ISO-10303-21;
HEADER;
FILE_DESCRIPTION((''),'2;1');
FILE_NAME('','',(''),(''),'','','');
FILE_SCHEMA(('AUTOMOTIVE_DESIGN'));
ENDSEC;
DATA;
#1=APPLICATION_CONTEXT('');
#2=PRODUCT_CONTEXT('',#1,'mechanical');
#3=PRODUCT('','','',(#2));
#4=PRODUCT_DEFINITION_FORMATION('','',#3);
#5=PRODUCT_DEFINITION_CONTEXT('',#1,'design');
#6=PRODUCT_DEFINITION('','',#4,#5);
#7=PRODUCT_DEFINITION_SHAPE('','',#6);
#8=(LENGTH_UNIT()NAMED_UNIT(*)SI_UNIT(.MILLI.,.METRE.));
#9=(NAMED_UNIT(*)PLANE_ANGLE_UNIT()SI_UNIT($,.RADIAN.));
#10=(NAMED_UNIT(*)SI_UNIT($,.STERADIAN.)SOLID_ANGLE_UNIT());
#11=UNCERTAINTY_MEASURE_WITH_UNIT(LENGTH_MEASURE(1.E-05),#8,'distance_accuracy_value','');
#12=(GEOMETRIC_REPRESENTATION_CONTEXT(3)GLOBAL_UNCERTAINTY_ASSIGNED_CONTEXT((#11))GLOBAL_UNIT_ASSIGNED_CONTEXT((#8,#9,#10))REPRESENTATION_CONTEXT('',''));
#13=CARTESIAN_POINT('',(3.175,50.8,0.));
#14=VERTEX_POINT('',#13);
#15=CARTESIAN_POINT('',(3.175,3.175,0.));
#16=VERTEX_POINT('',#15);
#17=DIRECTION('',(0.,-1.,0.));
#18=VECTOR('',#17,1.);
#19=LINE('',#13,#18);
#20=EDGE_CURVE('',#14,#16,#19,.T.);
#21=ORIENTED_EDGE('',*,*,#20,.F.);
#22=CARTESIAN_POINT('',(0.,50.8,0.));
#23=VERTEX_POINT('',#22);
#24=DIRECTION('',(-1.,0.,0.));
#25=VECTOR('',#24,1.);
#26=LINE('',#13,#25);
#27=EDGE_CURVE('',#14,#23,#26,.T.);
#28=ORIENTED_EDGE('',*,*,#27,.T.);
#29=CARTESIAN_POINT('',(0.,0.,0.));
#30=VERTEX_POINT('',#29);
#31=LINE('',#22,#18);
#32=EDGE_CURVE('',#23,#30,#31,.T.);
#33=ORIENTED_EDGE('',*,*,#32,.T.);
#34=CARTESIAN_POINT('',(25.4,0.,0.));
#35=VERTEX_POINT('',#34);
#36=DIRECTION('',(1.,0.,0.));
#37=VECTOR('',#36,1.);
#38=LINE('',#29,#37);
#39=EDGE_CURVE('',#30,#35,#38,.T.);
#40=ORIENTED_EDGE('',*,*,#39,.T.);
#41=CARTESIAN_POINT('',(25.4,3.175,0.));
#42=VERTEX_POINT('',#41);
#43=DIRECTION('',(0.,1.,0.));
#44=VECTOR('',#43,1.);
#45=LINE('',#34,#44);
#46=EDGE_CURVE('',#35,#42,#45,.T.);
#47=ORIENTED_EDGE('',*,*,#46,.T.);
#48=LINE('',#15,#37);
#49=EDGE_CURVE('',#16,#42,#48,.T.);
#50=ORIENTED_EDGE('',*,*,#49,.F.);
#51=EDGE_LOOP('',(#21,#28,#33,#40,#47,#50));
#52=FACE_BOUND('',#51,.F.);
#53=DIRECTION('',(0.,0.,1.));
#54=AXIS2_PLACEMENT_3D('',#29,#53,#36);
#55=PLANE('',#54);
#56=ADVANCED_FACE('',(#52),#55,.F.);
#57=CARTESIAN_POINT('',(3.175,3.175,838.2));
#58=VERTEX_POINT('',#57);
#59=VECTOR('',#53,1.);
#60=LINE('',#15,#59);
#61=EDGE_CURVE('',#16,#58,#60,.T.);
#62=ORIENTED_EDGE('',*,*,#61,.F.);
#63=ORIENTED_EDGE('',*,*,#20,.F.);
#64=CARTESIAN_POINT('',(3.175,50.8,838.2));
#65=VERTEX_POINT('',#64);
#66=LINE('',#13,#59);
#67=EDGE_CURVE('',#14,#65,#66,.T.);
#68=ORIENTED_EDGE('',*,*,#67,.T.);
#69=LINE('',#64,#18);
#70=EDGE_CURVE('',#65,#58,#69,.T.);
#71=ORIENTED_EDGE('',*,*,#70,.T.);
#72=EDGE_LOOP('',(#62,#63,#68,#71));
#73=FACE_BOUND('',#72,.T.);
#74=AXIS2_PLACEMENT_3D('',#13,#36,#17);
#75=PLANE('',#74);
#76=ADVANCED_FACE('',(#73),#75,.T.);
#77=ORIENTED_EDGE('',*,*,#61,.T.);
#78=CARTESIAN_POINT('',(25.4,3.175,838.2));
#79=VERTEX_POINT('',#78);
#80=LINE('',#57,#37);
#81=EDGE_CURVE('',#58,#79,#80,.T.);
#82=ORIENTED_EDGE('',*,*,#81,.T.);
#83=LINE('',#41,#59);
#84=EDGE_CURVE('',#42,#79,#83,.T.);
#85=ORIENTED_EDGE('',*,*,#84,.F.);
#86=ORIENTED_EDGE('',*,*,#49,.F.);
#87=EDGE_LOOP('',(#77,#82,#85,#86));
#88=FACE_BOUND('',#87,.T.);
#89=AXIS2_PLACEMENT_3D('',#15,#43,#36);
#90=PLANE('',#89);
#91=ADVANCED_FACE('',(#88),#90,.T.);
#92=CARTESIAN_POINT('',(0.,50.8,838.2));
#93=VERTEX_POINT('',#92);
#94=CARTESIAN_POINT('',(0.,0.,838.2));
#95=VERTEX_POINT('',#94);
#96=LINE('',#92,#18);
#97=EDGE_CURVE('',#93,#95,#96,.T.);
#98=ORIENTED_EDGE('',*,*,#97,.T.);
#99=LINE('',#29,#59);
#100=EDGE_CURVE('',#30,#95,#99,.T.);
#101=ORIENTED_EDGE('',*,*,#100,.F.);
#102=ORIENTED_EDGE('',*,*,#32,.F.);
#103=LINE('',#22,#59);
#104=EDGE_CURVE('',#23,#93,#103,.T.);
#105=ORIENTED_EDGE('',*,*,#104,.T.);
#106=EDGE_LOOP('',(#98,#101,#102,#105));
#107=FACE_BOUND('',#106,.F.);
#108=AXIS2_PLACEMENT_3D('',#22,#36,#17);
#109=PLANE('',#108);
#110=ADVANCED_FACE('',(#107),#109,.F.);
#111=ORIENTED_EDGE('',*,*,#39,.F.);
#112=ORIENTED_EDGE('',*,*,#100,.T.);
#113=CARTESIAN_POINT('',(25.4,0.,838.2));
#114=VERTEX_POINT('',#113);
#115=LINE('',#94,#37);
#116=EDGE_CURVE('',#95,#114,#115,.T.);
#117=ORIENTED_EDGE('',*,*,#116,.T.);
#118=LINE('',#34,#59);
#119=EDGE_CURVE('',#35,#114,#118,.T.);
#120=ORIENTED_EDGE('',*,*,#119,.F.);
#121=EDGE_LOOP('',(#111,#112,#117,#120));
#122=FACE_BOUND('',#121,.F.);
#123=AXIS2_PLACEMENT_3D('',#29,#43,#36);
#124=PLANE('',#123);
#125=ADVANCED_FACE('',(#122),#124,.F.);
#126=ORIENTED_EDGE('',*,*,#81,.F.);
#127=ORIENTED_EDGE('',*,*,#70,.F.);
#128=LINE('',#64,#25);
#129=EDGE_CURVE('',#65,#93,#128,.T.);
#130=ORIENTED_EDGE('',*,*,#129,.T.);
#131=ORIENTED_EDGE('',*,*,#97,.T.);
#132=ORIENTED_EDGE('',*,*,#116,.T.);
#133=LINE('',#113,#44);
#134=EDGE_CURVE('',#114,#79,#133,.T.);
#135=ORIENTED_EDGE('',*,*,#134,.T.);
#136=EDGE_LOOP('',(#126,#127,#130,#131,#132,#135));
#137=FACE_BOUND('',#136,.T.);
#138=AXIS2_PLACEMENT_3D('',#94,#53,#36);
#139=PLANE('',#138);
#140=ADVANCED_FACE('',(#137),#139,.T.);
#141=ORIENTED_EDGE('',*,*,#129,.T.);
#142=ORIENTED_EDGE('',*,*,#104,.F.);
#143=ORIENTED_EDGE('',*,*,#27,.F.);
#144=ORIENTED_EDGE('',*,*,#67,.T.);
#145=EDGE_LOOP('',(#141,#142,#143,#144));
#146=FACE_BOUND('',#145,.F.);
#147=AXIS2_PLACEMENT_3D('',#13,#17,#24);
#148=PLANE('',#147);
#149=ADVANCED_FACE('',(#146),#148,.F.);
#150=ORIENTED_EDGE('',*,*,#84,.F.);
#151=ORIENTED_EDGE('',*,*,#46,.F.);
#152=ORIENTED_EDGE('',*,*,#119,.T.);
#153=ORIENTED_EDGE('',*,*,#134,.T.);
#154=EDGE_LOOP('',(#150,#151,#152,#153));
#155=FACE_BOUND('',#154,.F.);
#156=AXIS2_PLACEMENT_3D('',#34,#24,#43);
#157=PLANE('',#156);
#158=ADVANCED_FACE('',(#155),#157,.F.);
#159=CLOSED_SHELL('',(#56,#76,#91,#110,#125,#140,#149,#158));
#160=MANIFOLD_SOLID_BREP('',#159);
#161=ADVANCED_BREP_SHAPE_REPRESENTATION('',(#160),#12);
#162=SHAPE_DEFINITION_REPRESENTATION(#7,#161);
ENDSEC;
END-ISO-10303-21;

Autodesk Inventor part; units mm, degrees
ref_plane "YZ Plane" through (0, 0, 0) normal (1, 0, 0) x (0, 1, 0)
ref_plane "XZ Plane" through (0, 0, 0) normal (0, 1, 0) x (-1, 0, 0)
ref_plane "XY Plane" through (0, 0, 0) normal (0, 0, 1) x (1, 0, 0)
sketch "Sketch1" plane through (0, 0, 0) normal (0, 0, 1) x (1, 0, 0)
  line L0 (0, 0) -> (25.4, 0)
  line L1 (25.4, 0) -> (25.4, 3.175)
  line L2 (3.175, 50.8) -> (0, 50.8)
  line L3 (0, 50.8) -> (0, 0)
  line L4 (3.175, 50.8) -> (3.175, 3.175)
  line L5 (3.175, 3.175) -> (25.4, 3.175)
  dimension "d0" = 50.8
  dimension "d1" = 25.4
  dimension "d2" = 3.175
  dimension "d3" = 3.175
extrude "Extrusion1" add sketch "Sketch1" along normal blind 838.2
properties part number "manipulator back L brace"
